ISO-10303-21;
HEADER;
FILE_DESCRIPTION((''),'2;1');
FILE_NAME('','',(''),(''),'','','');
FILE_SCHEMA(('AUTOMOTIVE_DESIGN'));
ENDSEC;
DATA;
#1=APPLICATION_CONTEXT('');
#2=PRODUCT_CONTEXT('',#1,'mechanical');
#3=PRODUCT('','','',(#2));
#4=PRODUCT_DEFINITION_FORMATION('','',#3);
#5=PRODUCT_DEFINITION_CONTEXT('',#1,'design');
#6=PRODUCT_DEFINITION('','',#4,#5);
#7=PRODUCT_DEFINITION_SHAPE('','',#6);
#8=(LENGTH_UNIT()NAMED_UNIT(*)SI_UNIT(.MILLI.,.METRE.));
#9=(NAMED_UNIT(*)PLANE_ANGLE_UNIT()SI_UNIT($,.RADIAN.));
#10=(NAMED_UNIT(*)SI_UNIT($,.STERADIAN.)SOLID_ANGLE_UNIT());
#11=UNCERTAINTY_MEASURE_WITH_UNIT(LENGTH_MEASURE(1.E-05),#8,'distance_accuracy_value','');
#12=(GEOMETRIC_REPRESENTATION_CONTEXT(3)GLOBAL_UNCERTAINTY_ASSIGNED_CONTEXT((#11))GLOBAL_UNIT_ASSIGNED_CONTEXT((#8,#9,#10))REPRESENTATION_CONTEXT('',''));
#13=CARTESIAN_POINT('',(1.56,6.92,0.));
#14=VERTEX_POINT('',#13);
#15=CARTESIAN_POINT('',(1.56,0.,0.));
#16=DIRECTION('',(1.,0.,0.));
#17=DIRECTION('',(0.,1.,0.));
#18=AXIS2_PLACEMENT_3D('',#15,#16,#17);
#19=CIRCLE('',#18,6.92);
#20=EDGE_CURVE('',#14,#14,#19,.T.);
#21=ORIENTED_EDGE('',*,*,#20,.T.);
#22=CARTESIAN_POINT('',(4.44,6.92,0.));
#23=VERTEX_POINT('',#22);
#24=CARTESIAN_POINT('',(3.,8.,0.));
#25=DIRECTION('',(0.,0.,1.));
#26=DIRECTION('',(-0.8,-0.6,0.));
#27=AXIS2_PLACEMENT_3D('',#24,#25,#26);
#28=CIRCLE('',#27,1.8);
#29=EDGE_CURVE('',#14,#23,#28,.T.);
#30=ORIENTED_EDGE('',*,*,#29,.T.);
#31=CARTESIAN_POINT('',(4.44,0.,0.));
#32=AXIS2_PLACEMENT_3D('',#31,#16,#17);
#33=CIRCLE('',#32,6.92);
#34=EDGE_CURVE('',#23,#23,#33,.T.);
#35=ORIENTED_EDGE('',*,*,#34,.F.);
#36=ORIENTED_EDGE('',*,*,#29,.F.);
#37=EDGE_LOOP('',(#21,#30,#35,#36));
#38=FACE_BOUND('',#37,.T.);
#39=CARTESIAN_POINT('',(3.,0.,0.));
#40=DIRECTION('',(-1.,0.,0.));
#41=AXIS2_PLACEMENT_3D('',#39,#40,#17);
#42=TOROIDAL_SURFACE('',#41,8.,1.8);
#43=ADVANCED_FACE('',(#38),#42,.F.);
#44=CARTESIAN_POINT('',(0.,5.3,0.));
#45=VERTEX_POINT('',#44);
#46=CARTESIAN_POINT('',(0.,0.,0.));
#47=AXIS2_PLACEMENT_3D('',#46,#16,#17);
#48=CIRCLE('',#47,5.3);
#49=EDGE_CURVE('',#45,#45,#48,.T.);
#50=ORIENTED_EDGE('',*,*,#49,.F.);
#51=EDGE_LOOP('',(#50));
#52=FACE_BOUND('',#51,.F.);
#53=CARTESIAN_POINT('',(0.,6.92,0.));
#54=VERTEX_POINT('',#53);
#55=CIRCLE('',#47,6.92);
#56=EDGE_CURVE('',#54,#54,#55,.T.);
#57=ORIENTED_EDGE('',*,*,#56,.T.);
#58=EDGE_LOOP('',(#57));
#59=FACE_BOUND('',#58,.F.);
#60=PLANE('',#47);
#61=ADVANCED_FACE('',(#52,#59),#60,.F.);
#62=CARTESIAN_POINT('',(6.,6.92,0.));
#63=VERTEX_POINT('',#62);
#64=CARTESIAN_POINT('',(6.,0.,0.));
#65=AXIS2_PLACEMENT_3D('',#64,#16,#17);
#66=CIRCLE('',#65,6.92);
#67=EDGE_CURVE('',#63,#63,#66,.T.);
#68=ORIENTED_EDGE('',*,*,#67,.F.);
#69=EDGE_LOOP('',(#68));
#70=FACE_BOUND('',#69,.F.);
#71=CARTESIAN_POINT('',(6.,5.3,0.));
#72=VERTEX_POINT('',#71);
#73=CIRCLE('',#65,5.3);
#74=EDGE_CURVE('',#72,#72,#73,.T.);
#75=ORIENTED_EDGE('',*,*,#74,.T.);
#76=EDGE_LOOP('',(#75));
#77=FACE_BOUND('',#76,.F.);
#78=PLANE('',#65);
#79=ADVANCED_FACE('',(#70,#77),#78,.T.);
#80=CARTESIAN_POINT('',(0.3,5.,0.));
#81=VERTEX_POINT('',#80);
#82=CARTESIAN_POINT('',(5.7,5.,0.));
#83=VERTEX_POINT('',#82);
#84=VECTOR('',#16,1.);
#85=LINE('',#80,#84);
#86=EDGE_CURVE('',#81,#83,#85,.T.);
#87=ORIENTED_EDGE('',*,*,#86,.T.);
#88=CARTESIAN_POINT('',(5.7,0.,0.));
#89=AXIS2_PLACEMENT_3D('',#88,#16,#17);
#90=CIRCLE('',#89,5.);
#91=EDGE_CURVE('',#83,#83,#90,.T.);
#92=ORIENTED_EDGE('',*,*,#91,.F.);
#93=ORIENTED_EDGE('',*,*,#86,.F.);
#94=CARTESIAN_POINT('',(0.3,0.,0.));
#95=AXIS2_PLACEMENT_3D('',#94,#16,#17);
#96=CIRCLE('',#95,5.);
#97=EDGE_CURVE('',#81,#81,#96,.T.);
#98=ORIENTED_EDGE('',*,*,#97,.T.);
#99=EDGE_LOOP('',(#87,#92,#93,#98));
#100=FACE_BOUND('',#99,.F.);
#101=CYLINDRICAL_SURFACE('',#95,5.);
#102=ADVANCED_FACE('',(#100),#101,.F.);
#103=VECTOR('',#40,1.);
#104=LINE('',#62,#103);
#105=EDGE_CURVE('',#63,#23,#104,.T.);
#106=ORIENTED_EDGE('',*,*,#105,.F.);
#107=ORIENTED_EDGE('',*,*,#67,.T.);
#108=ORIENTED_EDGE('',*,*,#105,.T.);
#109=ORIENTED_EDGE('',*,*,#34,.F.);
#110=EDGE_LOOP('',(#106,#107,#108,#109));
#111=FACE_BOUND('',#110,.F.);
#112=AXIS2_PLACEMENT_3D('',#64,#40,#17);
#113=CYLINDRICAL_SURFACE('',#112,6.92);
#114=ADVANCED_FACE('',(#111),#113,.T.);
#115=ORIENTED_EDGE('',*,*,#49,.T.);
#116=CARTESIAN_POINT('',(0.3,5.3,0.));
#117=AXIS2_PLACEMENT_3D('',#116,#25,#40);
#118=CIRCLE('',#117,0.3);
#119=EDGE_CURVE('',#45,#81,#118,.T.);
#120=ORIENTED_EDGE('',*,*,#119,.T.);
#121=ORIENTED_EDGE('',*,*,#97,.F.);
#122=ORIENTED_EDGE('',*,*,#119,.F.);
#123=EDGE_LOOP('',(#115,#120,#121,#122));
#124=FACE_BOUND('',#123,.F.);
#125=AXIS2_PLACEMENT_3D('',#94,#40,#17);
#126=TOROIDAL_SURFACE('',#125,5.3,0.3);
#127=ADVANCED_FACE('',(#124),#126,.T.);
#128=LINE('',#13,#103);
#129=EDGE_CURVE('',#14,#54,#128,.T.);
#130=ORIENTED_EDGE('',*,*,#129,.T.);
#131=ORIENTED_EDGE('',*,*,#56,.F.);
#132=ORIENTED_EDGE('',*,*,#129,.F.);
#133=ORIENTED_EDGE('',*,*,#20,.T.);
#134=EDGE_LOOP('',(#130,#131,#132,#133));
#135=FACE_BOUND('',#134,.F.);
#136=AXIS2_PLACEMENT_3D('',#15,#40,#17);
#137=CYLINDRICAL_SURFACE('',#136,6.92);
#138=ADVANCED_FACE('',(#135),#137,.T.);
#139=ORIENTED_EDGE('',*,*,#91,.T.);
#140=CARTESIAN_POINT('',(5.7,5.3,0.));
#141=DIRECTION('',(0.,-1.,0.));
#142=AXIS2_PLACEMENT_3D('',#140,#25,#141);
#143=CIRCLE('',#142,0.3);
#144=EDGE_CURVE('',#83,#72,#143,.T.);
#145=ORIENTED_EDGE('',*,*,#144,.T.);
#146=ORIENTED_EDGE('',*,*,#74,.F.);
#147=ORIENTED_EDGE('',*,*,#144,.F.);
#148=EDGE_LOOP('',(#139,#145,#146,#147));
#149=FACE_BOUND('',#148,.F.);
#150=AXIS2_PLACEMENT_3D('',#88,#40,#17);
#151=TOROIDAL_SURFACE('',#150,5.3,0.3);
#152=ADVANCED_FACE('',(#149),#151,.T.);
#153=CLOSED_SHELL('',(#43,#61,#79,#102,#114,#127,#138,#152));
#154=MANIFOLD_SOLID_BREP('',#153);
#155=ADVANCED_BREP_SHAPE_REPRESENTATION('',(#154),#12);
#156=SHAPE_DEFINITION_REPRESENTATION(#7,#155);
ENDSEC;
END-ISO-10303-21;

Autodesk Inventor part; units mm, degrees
sketch "Sketch_1" plane through (0, 0, 0) normal (0, 0, 1) x (1, 0, 0)
  line L0 (6, 0) -> (0, 0)
  arc A0 (0, 5.3) -> (0.3, 5) centre (0.3, 5.3) ccw
  line L1 (0.3, 5) -> (5.7, 5)
  arc A1 (5.7, 5) -> (6, 5.3) centre (5.7, 5.3) ccw
  line L2 (6, 5.3) -> (6, 6.92)
  line L3 (6, 6.92) -> (4.44, 6.92)
  arc A2 (1.56, 6.92) -> (4.44, 6.92) centre (3, 8) ccw
  line L4 (1.56, 6.92) -> (0, 6.92)
  line L5 (0, 6.92) -> (0, 5.3)
revolve "Revolution1" add sketch "Sketch_1" angle 360 about axis through (6, 0, 0) along (1, 0, 0)
ref_plane "dgbb_ir_XY" through (0, 0, 0) normal (1, 0, 0) x (0, 0, -1)
ref_plane "dgbb_ir_YZ" through (0, 0, 0) normal (0, 0, -1) x (0, 1, 0)
ref_plane "dgbb_ir_ZX" through (0, 0, 0) normal (0, 1, 0) x (1, 0, 0)
properties part number "6900ZZ Inner Ring" material "鉄、鋳鉄"
